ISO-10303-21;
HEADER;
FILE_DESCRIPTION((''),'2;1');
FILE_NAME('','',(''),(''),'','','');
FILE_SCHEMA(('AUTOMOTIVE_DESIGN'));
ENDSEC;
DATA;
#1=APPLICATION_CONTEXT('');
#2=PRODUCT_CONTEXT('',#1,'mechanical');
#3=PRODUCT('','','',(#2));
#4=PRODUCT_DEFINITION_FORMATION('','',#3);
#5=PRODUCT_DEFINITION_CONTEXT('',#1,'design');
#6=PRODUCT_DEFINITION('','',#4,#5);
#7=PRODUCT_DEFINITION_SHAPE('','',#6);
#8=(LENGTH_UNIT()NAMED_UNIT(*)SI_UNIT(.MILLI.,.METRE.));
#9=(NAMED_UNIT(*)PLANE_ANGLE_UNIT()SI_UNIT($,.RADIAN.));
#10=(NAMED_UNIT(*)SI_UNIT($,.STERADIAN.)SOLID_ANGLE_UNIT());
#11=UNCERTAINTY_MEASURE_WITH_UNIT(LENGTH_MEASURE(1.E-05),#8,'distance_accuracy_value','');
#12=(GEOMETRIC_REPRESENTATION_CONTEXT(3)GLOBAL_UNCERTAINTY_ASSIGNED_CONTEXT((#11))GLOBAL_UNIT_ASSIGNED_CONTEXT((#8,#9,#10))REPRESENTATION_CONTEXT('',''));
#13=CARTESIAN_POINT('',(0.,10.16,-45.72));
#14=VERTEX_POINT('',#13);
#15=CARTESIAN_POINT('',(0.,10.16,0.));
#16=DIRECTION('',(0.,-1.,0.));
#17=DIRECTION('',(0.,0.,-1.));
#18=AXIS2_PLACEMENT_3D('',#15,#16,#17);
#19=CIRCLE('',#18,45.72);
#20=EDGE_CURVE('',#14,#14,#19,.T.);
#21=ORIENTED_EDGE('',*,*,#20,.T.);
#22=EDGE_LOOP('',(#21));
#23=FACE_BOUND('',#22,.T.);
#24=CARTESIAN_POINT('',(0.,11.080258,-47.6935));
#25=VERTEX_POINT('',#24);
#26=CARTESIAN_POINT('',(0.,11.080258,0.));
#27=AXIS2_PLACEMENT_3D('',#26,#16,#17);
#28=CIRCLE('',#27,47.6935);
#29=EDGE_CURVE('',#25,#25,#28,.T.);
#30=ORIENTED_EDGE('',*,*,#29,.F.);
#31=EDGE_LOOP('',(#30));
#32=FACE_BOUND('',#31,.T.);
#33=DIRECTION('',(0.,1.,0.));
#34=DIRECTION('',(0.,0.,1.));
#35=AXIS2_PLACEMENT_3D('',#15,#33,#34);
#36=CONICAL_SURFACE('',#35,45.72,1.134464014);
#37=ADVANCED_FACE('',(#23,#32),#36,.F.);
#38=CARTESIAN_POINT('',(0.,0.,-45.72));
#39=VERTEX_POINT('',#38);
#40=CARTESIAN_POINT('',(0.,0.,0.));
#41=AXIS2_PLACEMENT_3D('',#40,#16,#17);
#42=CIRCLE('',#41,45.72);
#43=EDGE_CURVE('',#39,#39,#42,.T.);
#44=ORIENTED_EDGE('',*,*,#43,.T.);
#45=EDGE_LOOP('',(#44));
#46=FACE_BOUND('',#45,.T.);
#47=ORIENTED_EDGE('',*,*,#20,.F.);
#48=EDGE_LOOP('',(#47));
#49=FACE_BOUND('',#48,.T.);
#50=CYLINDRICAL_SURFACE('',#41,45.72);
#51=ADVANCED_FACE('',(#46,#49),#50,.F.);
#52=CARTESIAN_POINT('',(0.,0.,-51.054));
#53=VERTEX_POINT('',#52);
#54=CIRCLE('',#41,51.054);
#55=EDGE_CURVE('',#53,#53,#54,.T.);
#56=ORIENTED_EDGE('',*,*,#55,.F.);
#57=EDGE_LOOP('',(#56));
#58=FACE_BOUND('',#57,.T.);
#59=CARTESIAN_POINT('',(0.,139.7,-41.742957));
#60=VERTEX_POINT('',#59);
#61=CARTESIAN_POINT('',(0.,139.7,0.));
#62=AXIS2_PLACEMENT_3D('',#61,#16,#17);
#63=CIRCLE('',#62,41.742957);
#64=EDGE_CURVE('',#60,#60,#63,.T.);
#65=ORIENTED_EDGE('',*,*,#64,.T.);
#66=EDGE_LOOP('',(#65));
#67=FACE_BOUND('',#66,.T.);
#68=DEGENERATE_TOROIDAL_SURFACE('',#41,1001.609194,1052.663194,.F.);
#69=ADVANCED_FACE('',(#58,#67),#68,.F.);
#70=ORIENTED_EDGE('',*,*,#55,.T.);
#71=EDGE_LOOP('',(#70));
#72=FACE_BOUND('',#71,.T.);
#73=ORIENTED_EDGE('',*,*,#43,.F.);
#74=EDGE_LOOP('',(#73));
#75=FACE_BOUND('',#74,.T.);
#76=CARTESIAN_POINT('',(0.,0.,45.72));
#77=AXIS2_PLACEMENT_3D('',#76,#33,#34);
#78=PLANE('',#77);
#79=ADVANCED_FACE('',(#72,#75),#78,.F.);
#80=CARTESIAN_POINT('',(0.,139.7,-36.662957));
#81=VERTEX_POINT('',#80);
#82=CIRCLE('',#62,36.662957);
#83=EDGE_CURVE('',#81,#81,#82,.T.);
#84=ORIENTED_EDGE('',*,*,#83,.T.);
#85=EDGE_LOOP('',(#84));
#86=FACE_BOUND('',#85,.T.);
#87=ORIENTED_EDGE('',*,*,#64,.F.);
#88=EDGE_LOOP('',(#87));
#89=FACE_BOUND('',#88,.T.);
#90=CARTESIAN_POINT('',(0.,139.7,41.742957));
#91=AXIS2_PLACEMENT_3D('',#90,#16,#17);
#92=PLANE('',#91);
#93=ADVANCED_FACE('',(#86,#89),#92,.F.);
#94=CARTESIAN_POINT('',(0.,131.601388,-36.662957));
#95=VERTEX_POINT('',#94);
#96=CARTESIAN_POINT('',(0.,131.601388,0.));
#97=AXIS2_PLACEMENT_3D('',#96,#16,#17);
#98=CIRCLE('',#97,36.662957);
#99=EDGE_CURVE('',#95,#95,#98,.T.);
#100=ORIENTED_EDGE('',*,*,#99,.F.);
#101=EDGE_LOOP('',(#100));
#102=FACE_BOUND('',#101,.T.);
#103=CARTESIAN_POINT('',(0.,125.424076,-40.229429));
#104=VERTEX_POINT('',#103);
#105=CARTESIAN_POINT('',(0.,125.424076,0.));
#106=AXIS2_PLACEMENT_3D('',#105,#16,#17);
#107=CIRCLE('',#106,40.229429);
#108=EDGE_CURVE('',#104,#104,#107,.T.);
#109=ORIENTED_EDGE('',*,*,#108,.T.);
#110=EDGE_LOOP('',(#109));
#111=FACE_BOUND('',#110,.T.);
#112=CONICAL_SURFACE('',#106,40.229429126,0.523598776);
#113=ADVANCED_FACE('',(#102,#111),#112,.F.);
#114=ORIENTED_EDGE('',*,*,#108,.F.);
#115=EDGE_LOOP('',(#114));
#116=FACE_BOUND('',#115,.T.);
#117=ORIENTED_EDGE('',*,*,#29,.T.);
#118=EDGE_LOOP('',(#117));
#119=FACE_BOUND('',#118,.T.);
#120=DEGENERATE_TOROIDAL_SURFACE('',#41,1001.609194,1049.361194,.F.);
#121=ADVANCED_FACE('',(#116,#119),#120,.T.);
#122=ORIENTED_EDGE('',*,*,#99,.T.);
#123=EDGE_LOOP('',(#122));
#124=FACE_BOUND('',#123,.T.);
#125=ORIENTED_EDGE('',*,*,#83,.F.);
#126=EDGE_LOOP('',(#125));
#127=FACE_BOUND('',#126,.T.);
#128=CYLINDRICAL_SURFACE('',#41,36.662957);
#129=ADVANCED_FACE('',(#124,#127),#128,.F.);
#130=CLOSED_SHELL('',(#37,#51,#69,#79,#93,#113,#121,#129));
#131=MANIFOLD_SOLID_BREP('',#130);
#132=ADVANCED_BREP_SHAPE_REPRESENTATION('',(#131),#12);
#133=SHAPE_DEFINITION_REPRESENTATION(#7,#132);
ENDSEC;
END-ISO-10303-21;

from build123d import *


with BuildPart() as part:
    # Sketch1 → Revolve1 (revolve)
    with BuildSketch(Plane(origin=(0, 0, 0), x_dir=(0, 0, -1), z_dir=(1, 0, 0)), mode=Mode.PRIVATE) as revolve1_sk:
        with BuildLine():
            Line((-41.742956524, 139.7), (-36.662956524, 139.7))
            Line((-36.662956524, 139.7), (-36.662956524, 131.601387737))
            Line((-36.662956524, 131.601387737), (-40.229429126, 125.424075987))
            ThreePointArc((-40.229429126, 125.424075987), (-45.523380739, 68.354124925), (-47.693499866, 11.080258101))
            Line((-47.693499866, 11.080258101), (-45.72, 10.16))
            Line((-45.72, 10.16), (-45.72, 0))
            Line((-45.72, 0), (-51.054, 0))
            ThreePointArc((-51.054, 0), (-48.723659728, 70.004973985), (-41.742956524, 139.7))
        make_face()
    revolve(revolve1_sk.sketch.rotate(Axis((0, 0, 0), (0, 1, 0)), 180), axis=Axis((0, 0, 0), (0, 1, 0)))


solid = part.part
